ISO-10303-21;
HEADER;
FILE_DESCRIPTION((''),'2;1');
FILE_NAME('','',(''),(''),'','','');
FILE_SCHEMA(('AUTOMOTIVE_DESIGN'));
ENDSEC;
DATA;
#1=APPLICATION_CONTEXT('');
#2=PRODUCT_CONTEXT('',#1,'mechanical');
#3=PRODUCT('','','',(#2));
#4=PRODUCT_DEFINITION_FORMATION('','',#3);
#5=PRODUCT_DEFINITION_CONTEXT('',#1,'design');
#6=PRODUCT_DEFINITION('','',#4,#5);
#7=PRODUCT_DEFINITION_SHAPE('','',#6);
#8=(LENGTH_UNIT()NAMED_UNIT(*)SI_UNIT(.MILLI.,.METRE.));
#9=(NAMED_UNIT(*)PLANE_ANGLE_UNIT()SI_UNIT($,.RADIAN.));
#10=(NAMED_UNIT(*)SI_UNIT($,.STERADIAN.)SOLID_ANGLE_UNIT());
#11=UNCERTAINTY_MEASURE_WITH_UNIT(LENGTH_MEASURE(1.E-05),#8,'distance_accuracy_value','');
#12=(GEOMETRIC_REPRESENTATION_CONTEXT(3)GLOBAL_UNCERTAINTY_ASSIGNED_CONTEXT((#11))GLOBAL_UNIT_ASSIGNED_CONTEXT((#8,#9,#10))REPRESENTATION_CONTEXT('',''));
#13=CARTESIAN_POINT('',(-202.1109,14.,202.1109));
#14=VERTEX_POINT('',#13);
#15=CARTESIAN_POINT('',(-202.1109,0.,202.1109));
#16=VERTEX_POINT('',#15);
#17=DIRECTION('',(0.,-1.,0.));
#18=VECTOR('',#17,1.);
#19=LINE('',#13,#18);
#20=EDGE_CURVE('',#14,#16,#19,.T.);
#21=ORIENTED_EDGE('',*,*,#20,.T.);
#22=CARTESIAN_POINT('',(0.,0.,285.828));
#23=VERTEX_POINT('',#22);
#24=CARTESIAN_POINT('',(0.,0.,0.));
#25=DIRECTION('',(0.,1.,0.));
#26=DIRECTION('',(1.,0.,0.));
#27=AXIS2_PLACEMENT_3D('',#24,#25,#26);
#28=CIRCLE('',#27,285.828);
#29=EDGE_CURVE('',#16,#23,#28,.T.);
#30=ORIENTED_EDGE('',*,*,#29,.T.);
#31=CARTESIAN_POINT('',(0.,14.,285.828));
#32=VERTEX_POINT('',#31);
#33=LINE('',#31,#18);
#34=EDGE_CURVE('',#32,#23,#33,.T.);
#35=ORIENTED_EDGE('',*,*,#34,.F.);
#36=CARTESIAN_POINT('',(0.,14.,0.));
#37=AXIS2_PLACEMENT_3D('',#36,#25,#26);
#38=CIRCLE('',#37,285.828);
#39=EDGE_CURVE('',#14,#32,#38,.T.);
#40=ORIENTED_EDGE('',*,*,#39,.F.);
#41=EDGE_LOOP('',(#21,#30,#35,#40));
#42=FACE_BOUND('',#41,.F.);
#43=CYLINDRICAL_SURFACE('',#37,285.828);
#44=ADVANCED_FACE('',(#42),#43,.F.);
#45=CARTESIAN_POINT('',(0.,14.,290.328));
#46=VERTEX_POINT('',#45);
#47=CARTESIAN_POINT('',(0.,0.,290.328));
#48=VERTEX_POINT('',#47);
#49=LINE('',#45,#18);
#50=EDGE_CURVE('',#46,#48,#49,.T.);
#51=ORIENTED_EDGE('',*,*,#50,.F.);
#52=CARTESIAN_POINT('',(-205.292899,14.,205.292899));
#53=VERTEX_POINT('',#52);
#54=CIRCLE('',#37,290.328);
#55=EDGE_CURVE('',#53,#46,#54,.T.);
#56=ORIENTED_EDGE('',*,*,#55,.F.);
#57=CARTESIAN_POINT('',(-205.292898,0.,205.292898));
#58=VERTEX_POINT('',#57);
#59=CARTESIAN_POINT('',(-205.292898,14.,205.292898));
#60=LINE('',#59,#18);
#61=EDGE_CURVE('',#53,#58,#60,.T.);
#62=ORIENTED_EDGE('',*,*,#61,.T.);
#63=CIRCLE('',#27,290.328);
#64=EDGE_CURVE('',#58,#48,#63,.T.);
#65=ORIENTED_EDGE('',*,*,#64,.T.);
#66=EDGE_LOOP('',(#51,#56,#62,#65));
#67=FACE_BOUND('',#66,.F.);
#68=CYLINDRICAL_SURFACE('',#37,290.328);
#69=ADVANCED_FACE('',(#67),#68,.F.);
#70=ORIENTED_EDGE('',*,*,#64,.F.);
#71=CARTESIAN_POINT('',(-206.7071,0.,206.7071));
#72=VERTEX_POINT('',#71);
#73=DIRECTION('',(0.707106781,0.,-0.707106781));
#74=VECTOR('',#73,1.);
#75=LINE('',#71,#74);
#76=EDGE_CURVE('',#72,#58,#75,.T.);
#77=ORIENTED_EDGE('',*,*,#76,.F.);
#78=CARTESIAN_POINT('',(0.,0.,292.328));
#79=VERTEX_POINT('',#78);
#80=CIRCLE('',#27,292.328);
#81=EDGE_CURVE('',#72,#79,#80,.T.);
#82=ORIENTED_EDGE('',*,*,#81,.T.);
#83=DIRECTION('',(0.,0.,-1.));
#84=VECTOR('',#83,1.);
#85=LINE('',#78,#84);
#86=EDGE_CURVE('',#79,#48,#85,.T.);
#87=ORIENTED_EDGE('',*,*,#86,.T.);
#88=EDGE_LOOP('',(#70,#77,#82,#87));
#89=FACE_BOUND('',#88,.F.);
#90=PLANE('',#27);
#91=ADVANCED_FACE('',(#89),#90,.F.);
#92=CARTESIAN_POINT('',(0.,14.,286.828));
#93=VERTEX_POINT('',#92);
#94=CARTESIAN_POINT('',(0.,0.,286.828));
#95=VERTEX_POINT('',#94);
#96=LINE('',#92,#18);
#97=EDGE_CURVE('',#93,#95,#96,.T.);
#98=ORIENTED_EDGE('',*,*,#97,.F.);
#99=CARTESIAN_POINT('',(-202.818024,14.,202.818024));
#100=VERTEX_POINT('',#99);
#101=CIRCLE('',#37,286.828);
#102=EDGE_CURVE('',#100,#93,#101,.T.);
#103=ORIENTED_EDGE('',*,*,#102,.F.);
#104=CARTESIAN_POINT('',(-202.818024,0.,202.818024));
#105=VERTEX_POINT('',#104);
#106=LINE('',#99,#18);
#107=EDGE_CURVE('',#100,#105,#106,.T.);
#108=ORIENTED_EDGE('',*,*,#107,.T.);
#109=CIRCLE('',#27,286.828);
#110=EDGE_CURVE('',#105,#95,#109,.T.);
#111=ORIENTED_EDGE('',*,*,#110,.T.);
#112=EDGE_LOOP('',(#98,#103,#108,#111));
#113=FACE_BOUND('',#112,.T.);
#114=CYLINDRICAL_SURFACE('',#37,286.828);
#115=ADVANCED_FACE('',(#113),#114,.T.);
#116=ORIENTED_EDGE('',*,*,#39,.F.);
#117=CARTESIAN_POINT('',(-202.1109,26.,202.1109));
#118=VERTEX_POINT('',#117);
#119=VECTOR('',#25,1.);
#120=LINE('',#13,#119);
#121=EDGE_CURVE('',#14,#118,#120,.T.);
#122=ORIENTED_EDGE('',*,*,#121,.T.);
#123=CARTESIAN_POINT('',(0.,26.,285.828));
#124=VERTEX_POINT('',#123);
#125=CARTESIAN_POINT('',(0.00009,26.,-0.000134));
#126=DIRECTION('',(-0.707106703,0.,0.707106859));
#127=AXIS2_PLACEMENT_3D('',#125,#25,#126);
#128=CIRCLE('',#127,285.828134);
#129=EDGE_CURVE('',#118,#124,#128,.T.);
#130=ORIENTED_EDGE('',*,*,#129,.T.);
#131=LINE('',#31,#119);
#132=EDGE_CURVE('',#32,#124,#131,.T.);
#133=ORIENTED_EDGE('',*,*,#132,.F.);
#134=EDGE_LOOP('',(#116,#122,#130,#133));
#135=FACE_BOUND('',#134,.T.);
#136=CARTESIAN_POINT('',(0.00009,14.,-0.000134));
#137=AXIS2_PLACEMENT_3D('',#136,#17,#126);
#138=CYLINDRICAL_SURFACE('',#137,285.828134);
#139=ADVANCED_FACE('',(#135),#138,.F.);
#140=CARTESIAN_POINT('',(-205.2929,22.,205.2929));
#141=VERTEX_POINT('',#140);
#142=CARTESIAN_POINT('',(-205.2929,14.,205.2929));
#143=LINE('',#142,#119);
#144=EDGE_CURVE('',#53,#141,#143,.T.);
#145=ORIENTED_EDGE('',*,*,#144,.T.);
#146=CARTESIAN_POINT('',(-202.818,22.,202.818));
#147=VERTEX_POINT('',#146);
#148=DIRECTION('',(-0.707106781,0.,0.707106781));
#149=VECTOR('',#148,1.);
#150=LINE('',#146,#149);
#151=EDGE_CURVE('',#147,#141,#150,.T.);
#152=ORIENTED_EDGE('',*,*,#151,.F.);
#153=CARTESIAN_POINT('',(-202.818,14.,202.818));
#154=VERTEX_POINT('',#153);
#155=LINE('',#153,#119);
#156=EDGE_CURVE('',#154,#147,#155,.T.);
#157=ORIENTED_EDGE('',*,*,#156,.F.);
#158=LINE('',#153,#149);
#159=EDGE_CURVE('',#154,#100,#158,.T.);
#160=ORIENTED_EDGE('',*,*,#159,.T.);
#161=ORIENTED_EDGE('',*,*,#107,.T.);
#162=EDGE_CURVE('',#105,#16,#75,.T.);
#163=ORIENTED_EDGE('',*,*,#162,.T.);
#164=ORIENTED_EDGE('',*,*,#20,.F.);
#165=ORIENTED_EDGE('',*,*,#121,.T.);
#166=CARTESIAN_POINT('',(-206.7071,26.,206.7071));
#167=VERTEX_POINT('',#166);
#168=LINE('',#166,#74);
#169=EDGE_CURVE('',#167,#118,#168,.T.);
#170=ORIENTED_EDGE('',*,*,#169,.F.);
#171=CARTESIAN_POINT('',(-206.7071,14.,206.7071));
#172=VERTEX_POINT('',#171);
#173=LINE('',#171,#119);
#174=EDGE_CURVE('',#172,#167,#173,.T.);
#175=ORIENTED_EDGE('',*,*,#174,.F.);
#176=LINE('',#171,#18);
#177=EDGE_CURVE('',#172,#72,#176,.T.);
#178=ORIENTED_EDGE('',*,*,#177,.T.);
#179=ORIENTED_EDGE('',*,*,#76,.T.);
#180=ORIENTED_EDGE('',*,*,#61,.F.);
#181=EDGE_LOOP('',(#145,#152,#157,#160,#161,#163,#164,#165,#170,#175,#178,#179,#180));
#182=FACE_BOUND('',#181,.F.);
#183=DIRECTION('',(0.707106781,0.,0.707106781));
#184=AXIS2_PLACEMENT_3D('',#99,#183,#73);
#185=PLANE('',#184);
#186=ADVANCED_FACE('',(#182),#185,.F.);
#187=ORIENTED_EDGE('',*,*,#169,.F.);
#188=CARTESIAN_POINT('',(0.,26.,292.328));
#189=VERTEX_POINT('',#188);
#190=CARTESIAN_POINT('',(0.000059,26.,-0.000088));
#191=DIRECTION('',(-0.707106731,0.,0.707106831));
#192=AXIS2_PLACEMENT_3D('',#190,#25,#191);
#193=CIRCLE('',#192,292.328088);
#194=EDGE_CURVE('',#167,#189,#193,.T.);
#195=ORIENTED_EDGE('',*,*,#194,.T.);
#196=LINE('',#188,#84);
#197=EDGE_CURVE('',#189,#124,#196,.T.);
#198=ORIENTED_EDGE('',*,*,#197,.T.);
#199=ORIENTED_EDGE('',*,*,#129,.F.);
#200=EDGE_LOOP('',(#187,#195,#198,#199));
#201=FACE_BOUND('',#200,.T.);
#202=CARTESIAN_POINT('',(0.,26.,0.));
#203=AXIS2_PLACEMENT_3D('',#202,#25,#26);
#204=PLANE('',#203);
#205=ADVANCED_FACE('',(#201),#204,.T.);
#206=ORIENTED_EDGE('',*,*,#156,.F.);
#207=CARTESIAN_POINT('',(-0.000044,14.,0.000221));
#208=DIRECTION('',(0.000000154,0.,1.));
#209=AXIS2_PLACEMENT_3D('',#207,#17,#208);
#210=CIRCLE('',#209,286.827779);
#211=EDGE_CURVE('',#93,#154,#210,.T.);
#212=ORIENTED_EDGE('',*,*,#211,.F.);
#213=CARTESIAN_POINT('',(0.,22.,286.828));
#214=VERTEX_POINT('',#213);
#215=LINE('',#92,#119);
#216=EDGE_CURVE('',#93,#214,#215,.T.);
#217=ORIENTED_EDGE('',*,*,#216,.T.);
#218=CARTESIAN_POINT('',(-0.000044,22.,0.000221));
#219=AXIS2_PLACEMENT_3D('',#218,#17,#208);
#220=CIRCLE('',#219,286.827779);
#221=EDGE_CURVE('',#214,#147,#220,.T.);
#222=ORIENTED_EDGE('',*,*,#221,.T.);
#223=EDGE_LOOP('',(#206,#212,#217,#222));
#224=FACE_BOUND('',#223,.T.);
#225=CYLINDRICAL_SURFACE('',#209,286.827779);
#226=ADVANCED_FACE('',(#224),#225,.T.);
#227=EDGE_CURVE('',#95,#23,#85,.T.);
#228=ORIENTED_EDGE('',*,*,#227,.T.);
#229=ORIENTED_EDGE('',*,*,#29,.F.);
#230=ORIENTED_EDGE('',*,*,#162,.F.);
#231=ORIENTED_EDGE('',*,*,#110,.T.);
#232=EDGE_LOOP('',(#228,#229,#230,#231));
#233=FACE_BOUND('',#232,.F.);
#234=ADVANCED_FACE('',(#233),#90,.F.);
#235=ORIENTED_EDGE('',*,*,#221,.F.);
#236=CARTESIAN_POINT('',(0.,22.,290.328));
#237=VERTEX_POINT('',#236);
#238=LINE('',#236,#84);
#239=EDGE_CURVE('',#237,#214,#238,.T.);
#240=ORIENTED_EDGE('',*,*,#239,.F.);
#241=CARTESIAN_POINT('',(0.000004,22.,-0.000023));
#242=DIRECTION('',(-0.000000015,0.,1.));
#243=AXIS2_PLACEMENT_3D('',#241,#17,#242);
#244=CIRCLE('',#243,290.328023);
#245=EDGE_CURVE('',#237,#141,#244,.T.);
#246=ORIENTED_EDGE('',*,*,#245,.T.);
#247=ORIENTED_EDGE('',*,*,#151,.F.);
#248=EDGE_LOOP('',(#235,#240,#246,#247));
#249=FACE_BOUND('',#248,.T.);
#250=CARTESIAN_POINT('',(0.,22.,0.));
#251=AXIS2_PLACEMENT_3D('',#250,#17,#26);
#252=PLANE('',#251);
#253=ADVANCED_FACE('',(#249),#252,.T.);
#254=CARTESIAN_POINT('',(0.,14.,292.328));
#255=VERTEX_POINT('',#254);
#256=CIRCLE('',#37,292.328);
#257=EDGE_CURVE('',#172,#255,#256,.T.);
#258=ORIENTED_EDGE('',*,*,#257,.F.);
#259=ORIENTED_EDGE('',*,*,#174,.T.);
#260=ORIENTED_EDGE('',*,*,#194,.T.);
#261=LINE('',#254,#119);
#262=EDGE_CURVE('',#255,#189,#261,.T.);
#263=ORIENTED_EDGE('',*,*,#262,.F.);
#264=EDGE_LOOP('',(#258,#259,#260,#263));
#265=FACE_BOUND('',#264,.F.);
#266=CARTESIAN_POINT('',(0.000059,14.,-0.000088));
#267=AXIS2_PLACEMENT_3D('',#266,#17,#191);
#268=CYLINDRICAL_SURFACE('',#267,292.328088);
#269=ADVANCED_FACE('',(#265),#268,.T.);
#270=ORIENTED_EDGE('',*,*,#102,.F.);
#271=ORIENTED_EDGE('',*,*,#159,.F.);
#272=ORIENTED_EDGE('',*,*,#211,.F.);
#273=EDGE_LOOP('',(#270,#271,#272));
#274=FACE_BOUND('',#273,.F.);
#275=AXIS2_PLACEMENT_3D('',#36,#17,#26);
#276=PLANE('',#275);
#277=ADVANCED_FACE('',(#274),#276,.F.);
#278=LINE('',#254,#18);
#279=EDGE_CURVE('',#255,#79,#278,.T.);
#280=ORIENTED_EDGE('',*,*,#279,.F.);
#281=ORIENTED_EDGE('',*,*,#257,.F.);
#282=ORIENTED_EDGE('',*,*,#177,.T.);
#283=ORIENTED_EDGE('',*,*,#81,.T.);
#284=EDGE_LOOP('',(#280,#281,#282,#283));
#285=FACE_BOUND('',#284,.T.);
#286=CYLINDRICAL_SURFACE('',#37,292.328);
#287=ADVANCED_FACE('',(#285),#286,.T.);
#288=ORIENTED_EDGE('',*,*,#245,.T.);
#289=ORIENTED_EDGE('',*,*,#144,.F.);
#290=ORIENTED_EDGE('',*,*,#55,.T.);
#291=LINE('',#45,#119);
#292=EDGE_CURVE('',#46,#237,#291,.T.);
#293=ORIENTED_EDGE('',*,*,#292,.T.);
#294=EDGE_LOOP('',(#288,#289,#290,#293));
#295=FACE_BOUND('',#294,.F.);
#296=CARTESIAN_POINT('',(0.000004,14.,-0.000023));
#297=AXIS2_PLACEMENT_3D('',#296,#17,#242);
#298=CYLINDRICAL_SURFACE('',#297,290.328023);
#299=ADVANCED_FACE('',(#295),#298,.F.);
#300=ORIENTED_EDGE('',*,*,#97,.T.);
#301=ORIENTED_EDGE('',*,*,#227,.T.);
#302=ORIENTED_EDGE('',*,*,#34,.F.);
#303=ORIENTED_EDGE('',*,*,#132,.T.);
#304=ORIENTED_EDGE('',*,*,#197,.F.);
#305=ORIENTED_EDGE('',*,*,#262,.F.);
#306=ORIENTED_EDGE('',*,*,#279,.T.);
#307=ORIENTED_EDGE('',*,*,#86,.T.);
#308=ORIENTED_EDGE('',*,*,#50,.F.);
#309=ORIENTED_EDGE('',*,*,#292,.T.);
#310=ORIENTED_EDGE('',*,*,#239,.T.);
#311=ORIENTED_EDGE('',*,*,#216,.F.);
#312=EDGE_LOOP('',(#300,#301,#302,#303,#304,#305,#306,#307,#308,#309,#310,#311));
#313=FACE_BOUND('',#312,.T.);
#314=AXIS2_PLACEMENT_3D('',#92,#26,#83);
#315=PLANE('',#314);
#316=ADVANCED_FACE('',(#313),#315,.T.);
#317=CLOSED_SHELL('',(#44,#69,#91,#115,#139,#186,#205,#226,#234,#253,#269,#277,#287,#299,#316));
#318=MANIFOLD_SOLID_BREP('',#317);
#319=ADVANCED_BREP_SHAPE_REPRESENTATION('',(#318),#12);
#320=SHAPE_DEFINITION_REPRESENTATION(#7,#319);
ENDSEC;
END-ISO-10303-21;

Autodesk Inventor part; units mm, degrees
ref_plane "YZ Plane" through (0, 0, 0) normal (1, 0, 0) x (0, 1, 0)
ref_plane "XZ Plane" through (0, 0, 0) normal (0, 1, 0) x (-1, 0, 0)
ref_plane "XY Plane" through (0, 0, 0) normal (0, 0, 1) x (1, 0, 0)
sketch "スケッチ1" plane through (0, 0, 0) normal (0, 1, 0) x (-1, 0, 0)
  circle A0 centre (0, 0) radius 287.828
  circle A1 centre (0, 0) radius 289.328
  line L0 (204.5858, 204.5858) -> (0, 0)
  line L1 (0, 0) -> (0, 289.328)
  point P0 (0, 287.828)
  point P1 (203.5251, 203.5251)
  dimension "d0" = 575.656
  dimension "d1" = 578.656
  dimension "d2" = 45
extrude "押し出し1" add sketch "スケッチ1" along normal blind 14 contours A0 L1 A1 L0 picked at (198.6715, 209.3726)
sketch "スケッチ2" plane through (0, 14, 0) normal (0, 1, 0) x (1, 0, 0)
  arc A0 (-203.5251, -203.5251) -> (0, -287.828) centre (0, 0) ccw projected
  line L0 (-203.5251, -203.5251) -> (-204.5858, -204.5858) projected
  arc A1 (-204.5858, -204.5858) -> (0, -289.328) centre (0, 0) ccw projected
  line L1 (0, -289.328) -> (0, -287.828) projected
  circle A2 centre (0, 0) radius 286.828
  circle A3 centre (0, 0) radius 285.828
  circle A4 centre (0, 0) radius 290.328
  circle A5 centre (0, 0) radius 292.328
  line L2 (-206.7071, -206.7071) -> (-202.1109, -202.1109)
  line L3 (0, -292.328) -> (0, -285.828)
  point P0 (0, -290.328)
  point P1 (-205.2929, -205.2929)
  point P2 (0, -286.828)
  point P3 (-202.818, -202.818)
  dimension "d5" = 1
  dimension "d6" = 1
  dimension "d7" = 1
  dimension "d8" = 2
extrude "押し出し2" add sketch "スケッチ2" against normal up to surface (14 mm away) contours L2 A3 L3 A2 | A4 L3 A5 L2 picked at (-162.1553, -235.9498) picked at (-183.4103, -226.5178)
sketch "スケッチ3" plane through (0, 14, 0) normal (0, 1, 0) x (1, 0, 0)
  arc A0 (-205.2929, -205.2929) -> (0, -290.328) centre (0, 0) ccw projected
  line L0 (-205.2929, -205.2929) -> (-206.7071, -206.7071) projected
  arc A1 (-206.7071, -206.7071) -> (0, -292.328) centre (0, 0) ccw projected
  line L1 (0, -292.328) -> (0, -290.328) projected
  arc A2 (-203.5251, -203.5251) -> (0, -287.828) centre (0, 0) ccw projected
  arc A3 (-203.5251, -203.5251) -> (0, -287.828) centre (0, 0) ccw projected
  line L2 (-203.5251, -203.5251) -> (-204.5858, -204.5858) projected
  arc A4 (-204.5858, -204.5858) -> (0, -289.328) centre (0, 0) ccw projected
  line L3 (0, -289.328) -> (0, -287.828) projected
  arc A5 (-202.1109, -202.1109) -> (0, -285.828) centre (0, 0) ccw projected
  line L4 (-202.1109, -202.1109) -> (-202.818, -202.818) projected
  arc A6 (-202.818, -202.818) -> (0, -286.828) centre (0, 0) ccw projected
  line L5 (0, -286.828) -> (0, -285.828) projected
  line L6 (-206.7071, -206.7071) -> (-202.1109, -202.1109)
  line L7 (0, -286.828) -> (0, -292.328)
extrude "押し出し3" add sketch "スケッチ3" along normal blind 12
extrude "押し出し4" cut sketch "スケッチ1" along normal up to surface (14 mm away) contours A0 L1 A1 L0 picked at (198.6715, 209.3726)
sketch "スケッチ4" plane through (0, 14, 0) normal (0, -1, 0) x (1, 0, 0)
  line L0 (-202.818, 202.818) -> (-205.2929, 205.2929) projected
  arc A0 (0, 286.828) -> (-202.818, 202.818) centre (0, 0) ccw projected
  line L1 (0, 290.328) -> (0, 286.828) projected
  arc A1 (0, 290.328) -> (-205.2929, 205.2929) centre (0, 0) ccw projected
extrude "押し出し5" cut sketch "スケッチ4" against normal blind 8
equation "\"d7\" = d5"
properties part number "23"
